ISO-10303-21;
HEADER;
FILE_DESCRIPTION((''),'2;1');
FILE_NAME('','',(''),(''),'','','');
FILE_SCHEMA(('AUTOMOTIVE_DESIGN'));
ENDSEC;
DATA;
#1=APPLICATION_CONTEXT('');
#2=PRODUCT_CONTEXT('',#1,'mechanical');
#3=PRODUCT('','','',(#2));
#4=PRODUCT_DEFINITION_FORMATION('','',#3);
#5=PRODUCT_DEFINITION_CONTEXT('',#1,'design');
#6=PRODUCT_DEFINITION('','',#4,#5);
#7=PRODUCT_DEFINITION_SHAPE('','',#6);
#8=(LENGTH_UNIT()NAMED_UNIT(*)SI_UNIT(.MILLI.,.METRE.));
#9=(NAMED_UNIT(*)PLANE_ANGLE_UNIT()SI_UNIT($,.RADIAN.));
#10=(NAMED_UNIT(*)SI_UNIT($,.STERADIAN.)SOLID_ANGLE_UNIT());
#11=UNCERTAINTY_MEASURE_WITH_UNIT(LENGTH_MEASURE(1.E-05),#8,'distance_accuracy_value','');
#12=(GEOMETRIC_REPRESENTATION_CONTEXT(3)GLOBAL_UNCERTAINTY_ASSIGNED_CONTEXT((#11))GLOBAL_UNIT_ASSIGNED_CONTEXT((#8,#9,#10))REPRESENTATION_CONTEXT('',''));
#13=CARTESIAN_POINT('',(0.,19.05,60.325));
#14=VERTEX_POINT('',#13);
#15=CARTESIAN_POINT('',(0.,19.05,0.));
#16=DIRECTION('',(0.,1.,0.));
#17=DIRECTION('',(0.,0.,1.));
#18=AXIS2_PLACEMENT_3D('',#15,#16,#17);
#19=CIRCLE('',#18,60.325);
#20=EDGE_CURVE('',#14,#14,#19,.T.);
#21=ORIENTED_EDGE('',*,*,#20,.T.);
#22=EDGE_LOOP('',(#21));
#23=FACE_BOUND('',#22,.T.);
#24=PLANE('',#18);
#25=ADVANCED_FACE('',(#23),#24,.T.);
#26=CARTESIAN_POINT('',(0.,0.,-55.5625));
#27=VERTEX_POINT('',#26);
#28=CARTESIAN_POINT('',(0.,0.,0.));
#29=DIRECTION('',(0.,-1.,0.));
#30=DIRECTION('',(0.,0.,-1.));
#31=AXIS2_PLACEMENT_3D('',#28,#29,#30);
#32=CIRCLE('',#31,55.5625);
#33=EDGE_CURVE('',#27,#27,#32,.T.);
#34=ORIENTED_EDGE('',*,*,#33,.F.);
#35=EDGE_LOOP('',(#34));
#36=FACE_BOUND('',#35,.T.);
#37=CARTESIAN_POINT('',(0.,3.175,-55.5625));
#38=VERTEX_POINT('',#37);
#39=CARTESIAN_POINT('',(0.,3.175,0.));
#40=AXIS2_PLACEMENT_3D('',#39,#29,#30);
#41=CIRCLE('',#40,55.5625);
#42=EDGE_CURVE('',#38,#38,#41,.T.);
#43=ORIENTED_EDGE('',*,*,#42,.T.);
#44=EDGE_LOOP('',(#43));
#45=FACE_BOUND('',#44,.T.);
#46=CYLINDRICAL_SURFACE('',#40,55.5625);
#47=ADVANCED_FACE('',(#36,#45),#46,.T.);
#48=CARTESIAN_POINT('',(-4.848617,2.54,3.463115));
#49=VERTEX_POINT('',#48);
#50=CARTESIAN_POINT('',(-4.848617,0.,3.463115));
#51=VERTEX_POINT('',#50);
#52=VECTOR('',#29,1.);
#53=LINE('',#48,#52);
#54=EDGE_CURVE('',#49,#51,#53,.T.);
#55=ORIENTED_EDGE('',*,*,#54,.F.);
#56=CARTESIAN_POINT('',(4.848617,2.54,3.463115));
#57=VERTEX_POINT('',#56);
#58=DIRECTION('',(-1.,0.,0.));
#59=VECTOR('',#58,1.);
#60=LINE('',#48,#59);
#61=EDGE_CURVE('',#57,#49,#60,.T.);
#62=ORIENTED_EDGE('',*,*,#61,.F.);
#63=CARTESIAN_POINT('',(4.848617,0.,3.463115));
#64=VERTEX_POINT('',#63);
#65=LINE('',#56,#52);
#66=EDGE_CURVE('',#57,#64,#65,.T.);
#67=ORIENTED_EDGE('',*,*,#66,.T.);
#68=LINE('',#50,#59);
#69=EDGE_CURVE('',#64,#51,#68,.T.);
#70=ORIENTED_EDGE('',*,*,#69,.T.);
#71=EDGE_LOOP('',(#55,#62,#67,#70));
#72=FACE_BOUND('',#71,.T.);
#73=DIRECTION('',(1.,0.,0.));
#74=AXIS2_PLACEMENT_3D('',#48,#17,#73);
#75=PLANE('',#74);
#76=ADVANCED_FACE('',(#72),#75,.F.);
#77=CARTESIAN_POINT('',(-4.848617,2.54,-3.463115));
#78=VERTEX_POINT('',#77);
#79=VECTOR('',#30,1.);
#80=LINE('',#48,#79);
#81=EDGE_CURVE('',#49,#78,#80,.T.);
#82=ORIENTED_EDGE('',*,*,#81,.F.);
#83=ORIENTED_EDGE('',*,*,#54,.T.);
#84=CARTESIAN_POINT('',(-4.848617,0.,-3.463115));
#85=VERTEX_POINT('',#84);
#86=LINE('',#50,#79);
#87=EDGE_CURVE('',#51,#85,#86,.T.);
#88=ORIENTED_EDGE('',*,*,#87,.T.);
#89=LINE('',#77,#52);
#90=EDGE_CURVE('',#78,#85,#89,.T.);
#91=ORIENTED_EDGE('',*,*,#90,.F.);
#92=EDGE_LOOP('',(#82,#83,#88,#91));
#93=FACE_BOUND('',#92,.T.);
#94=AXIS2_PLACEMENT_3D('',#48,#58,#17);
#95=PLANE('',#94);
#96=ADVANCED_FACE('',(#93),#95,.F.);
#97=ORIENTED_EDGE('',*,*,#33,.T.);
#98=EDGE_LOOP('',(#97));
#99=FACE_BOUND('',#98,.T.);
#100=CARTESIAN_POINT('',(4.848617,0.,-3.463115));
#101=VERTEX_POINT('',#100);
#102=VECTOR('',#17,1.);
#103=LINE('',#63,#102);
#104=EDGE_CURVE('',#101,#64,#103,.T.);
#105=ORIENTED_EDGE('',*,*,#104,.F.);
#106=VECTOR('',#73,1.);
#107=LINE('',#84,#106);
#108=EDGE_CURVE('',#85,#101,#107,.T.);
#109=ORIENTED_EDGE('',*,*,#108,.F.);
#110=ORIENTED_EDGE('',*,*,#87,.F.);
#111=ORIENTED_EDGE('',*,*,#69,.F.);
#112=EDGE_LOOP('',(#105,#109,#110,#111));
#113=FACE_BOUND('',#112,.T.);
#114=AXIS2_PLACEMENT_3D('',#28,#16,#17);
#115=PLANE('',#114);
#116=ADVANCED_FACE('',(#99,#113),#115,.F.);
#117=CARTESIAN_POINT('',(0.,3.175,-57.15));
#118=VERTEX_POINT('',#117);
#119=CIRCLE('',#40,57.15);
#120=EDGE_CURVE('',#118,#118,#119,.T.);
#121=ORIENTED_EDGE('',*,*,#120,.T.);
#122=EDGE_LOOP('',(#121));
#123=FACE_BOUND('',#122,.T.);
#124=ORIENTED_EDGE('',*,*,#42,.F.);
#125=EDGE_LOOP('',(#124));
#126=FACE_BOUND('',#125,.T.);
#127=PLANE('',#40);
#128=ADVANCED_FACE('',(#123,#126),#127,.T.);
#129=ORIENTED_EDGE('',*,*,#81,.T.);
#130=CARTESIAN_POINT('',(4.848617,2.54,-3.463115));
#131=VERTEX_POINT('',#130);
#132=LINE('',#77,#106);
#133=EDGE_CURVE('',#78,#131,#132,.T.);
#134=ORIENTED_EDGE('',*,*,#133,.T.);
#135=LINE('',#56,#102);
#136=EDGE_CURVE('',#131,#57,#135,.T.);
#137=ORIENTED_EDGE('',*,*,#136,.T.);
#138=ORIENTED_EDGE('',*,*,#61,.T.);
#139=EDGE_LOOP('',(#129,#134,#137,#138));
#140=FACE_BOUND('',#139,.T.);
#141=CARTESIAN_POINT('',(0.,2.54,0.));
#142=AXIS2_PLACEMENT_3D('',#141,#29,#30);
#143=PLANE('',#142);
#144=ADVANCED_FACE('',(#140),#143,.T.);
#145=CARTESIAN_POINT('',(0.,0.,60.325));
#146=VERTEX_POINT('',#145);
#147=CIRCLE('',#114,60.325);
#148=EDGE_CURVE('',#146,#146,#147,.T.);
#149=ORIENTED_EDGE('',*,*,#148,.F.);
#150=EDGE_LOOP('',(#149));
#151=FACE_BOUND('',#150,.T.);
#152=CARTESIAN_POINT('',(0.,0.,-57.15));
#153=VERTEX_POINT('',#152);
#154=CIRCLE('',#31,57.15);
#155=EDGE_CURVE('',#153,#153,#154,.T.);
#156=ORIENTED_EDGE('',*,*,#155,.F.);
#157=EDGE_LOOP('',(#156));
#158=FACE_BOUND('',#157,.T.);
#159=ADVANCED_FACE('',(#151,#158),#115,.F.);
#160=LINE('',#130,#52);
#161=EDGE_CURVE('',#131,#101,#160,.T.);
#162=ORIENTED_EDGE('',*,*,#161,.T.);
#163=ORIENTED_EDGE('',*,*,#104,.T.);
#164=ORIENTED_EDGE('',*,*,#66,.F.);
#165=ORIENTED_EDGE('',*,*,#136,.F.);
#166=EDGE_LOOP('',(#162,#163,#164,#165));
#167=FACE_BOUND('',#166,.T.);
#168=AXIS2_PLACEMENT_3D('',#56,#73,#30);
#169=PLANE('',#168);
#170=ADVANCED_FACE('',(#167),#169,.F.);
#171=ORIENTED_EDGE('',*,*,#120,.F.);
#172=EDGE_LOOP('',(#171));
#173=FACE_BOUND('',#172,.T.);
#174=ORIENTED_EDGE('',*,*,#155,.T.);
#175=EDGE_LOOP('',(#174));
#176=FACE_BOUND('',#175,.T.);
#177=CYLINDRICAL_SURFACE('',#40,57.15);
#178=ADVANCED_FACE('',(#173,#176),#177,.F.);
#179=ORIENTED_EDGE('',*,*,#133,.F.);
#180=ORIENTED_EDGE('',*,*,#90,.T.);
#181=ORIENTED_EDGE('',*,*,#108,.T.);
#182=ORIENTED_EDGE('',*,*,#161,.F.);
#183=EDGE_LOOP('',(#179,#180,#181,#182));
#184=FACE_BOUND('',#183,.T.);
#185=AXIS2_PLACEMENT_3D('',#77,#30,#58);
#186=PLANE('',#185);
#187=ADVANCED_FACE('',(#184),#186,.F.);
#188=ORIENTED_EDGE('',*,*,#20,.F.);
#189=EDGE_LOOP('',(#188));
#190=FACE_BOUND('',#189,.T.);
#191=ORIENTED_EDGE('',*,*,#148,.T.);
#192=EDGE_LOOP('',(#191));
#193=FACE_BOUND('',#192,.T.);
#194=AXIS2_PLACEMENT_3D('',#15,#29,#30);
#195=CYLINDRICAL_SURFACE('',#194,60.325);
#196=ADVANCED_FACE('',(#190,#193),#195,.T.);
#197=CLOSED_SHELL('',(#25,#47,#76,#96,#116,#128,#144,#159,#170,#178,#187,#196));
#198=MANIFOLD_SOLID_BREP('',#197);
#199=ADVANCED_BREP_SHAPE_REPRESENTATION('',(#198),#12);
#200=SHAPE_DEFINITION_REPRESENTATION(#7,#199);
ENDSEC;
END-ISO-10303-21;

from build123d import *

# Parameters (mm, degrees)
SKETCH1_R           = 60.325
BOSS_EXTRUDE1_DEPTH = 19.05
SKETCH2_R           = 57.15
SKETCH2_R_2         = 55.5625
CUT_EXTRUDE1_DEPTH  = 3.175
SKETCH3_W           = 9.697234664
SKETCH3_H           = 6.926230082
CUT_EXTRUDE2_DEPTH  = 2.54


with BuildPart() as part:
    # Sketch1 → Boss-Extrude1 (new body)
    with BuildSketch(Plane(origin=(0, 0, 0), x_dir=(1, 0, 0), z_dir=(0, 1, 0))):
        Circle(SKETCH1_R)
    extrude(amount=BOSS_EXTRUDE1_DEPTH)

    # Sketch2 → Cut-Extrude1 (cut)
    with BuildSketch(Plane.XZ):
        Circle(SKETCH2_R)
        Circle(SKETCH2_R_2, mode=Mode.SUBTRACT)
    extrude(amount=-CUT_EXTRUDE1_DEPTH, mode=Mode.SUBTRACT)

    # Sketch3 → Cut-Extrude2 (cut)
    with BuildSketch(Plane.XZ):
        Rectangle(SKETCH3_W, SKETCH3_H)
    extrude(amount=-CUT_EXTRUDE2_DEPTH, mode=Mode.SUBTRACT)


solid = part.part
